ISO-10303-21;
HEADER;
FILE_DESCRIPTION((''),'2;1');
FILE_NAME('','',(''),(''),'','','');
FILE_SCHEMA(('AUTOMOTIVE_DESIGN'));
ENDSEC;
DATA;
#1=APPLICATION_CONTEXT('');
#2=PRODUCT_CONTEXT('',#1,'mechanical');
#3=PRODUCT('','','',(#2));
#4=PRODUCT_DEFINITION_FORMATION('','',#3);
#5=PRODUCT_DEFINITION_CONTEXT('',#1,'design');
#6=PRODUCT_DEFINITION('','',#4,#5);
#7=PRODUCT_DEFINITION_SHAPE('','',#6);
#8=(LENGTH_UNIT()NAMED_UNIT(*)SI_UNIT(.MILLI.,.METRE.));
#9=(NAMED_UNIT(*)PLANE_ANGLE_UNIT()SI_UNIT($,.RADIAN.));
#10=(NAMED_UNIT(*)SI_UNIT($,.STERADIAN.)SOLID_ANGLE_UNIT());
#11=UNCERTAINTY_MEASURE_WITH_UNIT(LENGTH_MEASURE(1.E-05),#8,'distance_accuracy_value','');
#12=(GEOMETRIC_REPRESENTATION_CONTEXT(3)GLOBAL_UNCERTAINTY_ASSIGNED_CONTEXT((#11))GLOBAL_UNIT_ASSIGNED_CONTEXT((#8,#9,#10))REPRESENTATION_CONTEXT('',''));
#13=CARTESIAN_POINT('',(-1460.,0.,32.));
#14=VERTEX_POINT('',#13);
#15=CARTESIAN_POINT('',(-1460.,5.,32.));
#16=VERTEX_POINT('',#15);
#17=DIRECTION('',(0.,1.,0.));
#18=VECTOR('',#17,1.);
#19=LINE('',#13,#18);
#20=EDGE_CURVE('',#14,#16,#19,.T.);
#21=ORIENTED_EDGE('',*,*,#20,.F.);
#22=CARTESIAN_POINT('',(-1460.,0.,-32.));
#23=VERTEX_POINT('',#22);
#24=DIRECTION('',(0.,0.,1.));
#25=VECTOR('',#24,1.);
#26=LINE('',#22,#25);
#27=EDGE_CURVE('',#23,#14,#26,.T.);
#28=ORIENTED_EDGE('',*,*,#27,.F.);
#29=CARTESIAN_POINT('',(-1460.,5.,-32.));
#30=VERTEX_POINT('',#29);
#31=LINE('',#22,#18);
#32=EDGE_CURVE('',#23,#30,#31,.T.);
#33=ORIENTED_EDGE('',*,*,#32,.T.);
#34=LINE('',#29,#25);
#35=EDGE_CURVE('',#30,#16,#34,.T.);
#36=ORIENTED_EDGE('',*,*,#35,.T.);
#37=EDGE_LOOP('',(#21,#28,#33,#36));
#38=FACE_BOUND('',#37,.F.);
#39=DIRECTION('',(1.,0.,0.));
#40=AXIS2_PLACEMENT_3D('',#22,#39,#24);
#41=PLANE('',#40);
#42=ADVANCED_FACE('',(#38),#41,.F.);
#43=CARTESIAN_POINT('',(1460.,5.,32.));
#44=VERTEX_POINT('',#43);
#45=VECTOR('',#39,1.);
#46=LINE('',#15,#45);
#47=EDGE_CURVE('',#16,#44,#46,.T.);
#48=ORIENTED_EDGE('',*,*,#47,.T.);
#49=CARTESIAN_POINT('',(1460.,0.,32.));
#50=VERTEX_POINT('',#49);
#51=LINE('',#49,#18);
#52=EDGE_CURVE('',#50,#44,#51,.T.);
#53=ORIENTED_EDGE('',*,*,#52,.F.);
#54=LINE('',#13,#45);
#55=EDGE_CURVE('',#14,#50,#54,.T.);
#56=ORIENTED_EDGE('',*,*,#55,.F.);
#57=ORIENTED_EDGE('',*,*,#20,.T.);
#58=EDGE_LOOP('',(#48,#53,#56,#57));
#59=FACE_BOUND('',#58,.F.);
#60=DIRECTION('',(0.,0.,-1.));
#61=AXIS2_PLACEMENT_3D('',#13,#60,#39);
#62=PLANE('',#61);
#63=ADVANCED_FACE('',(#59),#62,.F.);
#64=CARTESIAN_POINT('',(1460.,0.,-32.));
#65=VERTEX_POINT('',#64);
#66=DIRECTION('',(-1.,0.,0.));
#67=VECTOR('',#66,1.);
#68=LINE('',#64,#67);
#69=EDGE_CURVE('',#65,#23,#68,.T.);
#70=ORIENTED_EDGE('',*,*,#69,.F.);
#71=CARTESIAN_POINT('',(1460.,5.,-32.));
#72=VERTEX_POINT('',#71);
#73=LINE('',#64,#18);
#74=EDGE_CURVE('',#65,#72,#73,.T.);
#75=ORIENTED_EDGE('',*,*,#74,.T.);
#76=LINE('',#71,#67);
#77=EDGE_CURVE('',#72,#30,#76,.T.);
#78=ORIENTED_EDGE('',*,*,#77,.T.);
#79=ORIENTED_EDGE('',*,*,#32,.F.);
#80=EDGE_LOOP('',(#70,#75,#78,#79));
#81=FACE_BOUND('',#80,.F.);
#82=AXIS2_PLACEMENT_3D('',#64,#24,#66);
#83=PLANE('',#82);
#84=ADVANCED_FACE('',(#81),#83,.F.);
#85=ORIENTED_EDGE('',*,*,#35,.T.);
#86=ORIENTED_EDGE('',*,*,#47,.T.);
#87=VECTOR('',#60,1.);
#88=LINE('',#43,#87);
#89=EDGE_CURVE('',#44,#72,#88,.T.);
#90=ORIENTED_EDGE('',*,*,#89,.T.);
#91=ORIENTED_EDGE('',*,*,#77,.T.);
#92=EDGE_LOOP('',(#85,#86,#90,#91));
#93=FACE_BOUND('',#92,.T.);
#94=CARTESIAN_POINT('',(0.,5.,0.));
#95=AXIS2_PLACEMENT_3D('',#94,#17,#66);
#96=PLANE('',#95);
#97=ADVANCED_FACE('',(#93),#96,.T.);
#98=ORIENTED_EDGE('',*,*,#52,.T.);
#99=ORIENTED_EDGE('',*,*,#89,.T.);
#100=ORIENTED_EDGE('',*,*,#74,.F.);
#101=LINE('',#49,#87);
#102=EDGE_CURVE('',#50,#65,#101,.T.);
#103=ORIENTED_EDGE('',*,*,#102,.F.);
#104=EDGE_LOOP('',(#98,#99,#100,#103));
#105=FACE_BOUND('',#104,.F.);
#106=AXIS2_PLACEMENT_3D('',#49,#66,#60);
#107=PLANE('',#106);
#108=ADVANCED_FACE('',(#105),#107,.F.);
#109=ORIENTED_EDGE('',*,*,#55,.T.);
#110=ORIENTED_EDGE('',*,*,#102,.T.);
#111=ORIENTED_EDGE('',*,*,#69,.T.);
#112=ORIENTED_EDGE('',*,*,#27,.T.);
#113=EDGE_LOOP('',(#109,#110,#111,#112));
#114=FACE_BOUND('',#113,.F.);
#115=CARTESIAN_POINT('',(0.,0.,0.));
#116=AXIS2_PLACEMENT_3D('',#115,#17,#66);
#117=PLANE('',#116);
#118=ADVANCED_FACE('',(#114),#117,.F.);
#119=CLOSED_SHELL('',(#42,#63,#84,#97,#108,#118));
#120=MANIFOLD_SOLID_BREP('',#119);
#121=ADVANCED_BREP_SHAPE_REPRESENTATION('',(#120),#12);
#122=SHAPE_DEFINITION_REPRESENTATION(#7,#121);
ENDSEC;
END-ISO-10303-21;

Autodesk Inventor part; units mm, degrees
ref_plane "YZ Plane" through (0, 0, 0) normal (1, 0, 0) x (0, 1, 0)
ref_plane "XZ Plane" through (0, 0, 0) normal (0, 1, 0) x (-1, 0, 0)
ref_plane "XY Plane" through (0, 0, 0) normal (0, 0, 1) x (1, 0, 0)
sketch "Эскиз1" plane through (0, 0, 0) normal (0, 1, 0) x (-1, 0, 0)
  line L0 (1460, 32) -> (-1460, 32)
  line L1 (-1460, 32) -> (-1460, -32)
  line L2 (-1460, -32) -> (1460, -32)
  line L3 (1460, -32) -> (1460, 32)
  line L4 (1460, 32) -> (-1460, -32) construction
  line L5 (-1460, 32) -> (1460, -32) construction
  point P0 (0, 0)
  dimension "d0" = 2920
  dimension "d1" = 64
extrude "Пластина1" add sketch "Эскиз1" along normal blind 5
equation "\"d2\" = Толщина"
equation "\"Радиус_гибки\" = Толщина"
equation "\"Ширина_просечки\" = Толщина"
equation "\"Глубина_просечки\" = 0.5 * Толщина"
equation "\"Радиус_перехода\" = Радиус_гибки"
equation "\"Радиус_Якоби\" = Радиус_гибки"
equation "\"Размер_зазора\" = Толщина"
equation "\"Толщина\" = 5"
properties part number "GBK bottom 0135" material "Steel"
